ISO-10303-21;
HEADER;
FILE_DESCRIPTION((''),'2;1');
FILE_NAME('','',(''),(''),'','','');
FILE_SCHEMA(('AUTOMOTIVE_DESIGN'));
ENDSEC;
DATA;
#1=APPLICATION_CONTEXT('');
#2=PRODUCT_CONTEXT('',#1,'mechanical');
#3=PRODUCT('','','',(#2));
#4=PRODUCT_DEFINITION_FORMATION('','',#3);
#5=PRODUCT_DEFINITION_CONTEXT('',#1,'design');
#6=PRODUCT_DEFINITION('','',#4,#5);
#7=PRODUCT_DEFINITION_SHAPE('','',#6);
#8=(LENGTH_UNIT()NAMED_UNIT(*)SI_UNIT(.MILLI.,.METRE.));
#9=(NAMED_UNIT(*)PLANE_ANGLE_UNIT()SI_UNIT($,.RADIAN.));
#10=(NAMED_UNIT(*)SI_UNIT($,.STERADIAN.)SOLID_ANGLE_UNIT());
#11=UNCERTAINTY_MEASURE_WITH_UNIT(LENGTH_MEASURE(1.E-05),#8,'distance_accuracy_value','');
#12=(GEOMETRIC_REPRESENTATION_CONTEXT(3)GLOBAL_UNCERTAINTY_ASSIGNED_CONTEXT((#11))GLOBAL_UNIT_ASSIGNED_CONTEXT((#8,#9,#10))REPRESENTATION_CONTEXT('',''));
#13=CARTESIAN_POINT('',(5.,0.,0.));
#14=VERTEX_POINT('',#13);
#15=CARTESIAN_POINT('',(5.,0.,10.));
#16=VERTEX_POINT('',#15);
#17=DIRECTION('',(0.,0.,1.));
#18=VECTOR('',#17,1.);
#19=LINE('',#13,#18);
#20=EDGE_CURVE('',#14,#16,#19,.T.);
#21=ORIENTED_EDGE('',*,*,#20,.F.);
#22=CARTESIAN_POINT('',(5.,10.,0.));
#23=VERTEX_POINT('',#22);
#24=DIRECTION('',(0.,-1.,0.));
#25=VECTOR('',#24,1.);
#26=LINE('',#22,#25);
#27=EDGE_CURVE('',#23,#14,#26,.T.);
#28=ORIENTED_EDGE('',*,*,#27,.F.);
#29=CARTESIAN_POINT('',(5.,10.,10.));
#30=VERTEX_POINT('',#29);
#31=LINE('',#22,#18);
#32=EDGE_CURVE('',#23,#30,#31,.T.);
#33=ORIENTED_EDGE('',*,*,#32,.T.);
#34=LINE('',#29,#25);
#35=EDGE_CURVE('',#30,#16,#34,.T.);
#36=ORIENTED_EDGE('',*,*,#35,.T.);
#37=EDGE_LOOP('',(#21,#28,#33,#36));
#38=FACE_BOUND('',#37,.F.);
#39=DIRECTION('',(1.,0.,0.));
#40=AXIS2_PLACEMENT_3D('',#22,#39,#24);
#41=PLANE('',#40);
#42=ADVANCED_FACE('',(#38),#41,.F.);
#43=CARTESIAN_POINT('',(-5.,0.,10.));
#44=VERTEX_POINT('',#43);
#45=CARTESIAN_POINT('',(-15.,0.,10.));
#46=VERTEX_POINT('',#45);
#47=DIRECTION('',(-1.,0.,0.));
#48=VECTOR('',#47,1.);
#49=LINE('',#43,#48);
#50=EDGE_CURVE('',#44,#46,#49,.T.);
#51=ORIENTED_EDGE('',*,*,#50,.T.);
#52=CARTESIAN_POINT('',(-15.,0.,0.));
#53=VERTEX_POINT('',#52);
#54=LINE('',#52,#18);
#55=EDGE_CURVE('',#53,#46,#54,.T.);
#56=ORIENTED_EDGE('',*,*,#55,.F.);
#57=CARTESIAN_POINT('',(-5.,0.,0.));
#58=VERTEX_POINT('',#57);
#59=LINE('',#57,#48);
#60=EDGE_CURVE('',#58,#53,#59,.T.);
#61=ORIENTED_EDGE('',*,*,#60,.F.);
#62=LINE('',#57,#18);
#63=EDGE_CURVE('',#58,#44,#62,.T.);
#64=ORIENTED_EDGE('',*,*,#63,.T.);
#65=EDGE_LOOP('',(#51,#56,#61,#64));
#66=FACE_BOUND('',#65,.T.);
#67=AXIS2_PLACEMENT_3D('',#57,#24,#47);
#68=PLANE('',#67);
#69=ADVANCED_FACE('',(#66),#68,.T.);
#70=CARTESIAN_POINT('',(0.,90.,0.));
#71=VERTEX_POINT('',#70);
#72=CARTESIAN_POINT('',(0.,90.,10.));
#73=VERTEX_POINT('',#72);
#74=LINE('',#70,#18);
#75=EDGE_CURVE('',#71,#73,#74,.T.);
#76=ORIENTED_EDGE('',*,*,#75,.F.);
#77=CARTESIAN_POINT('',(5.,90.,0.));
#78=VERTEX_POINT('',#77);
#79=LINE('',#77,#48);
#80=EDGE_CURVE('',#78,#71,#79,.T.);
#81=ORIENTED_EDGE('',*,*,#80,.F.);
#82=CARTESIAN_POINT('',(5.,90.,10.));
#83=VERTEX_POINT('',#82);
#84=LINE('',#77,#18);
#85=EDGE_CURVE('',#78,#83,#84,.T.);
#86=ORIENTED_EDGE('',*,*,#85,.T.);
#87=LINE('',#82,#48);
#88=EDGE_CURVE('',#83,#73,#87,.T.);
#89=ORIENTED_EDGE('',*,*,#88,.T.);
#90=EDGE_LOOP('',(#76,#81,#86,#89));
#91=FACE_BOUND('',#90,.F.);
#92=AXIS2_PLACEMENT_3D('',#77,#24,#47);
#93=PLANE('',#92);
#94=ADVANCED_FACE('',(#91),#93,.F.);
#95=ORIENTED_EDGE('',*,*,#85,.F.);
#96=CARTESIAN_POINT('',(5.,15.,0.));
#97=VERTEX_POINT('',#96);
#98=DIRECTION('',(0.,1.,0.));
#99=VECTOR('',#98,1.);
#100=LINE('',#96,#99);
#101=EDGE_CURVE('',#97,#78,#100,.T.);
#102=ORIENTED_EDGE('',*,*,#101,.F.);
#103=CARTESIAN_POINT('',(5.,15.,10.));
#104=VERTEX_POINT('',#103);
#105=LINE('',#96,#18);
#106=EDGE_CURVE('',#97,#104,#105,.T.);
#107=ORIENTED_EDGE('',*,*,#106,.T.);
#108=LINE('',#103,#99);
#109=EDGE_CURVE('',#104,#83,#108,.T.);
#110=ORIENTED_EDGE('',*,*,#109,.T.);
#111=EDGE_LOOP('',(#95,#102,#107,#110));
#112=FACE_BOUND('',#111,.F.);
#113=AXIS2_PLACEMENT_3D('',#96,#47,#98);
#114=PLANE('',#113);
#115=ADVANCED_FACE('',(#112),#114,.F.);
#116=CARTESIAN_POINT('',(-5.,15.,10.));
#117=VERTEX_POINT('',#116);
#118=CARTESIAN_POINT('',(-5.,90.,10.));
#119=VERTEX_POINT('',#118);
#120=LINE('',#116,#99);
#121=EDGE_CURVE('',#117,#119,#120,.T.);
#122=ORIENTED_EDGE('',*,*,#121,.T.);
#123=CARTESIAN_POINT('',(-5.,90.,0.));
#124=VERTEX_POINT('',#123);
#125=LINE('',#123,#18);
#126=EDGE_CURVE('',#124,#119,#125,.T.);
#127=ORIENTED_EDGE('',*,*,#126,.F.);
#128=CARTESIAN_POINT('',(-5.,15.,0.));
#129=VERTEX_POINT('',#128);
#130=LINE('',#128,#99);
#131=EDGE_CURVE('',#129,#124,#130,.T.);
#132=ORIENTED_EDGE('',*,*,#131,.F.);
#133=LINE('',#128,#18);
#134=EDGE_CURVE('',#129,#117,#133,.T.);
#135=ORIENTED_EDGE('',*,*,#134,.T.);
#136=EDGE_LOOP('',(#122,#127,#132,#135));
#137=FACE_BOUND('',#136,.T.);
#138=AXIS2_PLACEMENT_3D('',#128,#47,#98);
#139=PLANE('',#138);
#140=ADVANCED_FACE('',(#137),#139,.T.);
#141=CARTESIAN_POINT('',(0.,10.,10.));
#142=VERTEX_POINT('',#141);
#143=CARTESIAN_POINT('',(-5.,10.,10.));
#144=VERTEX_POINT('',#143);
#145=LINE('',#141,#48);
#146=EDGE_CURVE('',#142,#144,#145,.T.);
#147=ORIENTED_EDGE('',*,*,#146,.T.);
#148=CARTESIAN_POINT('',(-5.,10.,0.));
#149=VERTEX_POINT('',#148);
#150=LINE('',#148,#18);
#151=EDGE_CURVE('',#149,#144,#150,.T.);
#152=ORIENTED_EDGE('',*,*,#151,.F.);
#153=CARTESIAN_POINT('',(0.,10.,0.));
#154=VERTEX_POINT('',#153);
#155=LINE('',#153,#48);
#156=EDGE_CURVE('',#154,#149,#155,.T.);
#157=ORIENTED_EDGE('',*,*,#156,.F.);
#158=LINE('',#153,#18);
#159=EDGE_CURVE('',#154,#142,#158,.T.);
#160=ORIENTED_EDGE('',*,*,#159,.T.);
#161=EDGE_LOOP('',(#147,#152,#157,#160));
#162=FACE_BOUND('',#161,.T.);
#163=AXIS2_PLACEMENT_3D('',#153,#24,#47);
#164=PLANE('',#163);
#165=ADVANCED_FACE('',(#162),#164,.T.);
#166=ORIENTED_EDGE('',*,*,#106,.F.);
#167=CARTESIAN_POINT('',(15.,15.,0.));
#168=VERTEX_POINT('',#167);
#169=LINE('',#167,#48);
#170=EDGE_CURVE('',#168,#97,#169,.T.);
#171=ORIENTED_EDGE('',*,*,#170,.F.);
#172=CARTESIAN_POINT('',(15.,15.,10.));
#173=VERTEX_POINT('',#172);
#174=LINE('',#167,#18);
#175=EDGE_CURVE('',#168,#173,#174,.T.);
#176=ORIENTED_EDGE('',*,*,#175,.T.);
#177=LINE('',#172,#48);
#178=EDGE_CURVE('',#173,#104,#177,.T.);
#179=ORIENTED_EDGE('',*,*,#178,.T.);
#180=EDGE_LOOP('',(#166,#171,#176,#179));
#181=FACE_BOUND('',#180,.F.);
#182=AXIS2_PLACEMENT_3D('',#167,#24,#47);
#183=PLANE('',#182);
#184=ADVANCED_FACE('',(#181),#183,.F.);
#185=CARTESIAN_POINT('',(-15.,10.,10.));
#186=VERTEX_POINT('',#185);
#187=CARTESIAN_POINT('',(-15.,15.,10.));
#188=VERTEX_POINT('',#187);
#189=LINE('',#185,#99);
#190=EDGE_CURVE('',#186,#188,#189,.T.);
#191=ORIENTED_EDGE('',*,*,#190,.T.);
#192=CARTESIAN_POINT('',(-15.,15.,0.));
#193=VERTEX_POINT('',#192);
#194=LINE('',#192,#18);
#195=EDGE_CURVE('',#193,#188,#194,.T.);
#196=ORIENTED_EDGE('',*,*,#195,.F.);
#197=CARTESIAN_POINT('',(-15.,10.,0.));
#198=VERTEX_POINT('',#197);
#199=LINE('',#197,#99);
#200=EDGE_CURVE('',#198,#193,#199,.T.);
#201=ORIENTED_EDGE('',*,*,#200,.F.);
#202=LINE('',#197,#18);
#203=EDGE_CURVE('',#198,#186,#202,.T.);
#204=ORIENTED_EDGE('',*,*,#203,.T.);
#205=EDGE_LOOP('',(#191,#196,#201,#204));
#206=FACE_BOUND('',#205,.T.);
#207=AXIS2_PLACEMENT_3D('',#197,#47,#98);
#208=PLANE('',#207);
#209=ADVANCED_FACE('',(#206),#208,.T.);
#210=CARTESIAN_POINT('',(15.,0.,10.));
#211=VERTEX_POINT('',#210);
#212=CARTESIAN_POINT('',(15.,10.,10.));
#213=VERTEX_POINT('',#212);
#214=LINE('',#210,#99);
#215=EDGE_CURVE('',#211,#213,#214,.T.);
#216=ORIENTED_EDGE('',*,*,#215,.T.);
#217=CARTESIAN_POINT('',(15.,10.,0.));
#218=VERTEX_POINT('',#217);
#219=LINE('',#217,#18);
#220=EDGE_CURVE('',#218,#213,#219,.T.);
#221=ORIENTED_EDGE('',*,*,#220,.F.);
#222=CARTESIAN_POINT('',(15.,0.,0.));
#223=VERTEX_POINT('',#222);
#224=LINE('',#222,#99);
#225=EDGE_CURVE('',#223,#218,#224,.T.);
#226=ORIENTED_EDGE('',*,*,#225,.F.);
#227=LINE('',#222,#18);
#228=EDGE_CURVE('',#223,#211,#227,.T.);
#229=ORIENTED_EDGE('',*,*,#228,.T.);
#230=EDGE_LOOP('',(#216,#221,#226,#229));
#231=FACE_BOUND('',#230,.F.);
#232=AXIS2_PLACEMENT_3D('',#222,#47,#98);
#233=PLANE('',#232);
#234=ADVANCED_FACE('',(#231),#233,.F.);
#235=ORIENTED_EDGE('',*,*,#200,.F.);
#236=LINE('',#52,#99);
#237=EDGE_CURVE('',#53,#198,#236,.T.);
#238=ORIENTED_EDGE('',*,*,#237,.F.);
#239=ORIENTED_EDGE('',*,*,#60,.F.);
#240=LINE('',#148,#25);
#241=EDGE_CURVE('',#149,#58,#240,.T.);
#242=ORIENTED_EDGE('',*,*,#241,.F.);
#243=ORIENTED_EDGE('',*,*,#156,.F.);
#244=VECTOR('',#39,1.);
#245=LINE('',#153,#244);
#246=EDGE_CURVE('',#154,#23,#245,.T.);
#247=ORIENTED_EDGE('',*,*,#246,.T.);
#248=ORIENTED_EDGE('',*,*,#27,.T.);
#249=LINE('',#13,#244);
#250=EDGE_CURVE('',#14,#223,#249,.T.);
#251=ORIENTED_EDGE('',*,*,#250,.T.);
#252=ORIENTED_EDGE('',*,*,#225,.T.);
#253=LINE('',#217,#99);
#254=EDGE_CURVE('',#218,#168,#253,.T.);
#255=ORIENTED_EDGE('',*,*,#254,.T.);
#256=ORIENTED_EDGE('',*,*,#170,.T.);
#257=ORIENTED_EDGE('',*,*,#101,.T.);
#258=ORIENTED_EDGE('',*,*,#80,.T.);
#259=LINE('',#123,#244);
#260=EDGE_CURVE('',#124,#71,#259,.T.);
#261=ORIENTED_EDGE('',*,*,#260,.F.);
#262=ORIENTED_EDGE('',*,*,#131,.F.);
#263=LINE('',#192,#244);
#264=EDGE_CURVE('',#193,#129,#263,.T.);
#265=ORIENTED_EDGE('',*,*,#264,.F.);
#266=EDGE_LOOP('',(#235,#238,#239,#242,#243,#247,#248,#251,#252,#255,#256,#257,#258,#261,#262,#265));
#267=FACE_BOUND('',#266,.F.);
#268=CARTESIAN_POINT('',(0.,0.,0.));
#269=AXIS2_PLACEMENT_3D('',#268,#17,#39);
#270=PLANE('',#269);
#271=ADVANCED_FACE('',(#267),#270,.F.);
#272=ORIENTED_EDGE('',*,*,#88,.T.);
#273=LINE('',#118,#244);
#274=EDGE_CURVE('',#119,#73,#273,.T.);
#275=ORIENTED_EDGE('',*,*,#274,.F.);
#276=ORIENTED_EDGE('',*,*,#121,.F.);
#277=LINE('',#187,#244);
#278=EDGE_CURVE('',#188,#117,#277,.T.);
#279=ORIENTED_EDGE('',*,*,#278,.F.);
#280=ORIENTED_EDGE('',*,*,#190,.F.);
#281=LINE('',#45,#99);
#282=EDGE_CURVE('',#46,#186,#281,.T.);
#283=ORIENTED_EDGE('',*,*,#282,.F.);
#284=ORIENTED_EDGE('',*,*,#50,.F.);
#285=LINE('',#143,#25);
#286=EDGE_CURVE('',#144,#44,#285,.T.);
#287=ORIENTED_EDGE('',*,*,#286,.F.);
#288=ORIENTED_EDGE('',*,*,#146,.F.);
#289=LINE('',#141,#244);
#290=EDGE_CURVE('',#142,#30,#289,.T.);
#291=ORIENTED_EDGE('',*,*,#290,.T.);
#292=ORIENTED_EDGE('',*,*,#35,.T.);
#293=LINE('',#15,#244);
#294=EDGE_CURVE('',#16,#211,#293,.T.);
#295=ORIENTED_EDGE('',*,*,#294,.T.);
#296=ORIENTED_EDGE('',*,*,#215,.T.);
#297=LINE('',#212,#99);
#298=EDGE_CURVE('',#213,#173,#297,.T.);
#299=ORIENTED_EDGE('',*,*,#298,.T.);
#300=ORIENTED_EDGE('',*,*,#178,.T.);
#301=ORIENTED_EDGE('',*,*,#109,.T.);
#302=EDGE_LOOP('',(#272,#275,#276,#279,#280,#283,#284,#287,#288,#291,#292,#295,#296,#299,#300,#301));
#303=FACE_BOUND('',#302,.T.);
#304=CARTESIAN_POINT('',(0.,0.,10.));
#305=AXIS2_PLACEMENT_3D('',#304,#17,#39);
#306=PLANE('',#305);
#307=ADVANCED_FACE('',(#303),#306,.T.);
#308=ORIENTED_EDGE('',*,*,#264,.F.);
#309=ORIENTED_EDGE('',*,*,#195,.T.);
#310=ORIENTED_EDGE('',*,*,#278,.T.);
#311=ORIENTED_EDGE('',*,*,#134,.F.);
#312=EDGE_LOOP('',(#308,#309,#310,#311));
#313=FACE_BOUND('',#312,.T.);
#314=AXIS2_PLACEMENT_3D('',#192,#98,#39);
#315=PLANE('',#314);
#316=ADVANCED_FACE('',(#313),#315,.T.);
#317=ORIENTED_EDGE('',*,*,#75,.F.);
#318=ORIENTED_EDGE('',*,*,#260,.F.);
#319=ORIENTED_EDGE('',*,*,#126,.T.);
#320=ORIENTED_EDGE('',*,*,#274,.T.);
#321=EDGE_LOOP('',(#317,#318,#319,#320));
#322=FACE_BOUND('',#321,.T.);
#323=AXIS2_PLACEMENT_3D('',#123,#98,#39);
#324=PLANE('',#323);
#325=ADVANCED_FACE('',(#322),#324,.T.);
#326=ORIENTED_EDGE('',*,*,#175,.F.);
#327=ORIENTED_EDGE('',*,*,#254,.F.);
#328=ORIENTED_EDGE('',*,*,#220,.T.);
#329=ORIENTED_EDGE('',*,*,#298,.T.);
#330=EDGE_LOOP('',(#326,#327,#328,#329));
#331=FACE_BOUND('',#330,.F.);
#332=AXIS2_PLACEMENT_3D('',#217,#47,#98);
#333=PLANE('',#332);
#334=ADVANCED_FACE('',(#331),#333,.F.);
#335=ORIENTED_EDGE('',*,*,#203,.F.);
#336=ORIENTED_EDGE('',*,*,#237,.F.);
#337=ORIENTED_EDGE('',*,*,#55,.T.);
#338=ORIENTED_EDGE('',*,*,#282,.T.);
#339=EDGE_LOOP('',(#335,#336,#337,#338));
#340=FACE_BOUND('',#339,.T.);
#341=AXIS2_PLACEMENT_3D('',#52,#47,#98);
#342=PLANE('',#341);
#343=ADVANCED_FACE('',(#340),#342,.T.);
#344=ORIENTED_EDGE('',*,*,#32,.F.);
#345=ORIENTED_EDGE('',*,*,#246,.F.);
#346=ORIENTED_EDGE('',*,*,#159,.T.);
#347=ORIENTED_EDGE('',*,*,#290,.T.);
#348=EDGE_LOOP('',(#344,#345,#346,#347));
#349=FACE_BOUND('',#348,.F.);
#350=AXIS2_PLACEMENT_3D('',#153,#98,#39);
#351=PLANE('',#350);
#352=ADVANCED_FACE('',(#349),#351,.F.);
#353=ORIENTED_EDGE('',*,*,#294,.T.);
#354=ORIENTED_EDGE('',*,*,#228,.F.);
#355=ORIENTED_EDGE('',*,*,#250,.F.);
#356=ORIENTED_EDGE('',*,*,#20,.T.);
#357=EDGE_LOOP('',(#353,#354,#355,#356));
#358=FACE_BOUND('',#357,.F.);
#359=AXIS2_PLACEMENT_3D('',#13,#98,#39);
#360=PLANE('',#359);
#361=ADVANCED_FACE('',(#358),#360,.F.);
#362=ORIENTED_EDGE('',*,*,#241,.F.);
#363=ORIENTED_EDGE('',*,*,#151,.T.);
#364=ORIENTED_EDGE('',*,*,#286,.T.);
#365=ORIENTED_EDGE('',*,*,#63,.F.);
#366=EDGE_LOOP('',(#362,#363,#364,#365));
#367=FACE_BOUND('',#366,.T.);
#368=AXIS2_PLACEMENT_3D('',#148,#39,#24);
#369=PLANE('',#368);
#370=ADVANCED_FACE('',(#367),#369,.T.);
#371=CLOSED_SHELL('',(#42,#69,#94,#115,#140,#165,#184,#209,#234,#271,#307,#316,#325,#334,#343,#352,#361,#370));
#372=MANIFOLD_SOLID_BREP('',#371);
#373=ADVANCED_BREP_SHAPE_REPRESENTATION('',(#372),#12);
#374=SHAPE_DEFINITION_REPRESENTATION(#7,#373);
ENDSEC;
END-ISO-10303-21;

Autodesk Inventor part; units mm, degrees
ref_plane "YZ Plane" through (0, 0, 0) normal (1, 0, 0) x (0, 1, 0)
ref_plane "XZ Plane" through (0, 0, 0) normal (0, 1, 0) x (-1, 0, 0)
ref_plane "XY Plane" through (0, 0, 0) normal (0, 0, 1) x (1, 0, 0)
sketch "Sketch1" plane through (0, 0, 0) normal (0, 0, 1) x (1, 0, 0)
  line L0 (0, 0) -> (0, 90) construction
  line L1 (0, 0) -> (0, 10) construction
  line L2 (0, 10) -> (-5, 10)
  line L3 (-5, 10) -> (-5, 0)
  line L4 (-5, 0) -> (-15, 0)
  line L5 (-15, 0) -> (-15, 10)
  line L6 (-15, 10) -> (-15, 15)
  line L7 (-15, 15) -> (-5, 15)
  line L8 (-5, 15) -> (-5, 90)
  line L9 (-5, 90) -> (0, 90)
  line L10 (0, 10) -> (5, 10)
  line L11 (5, 10) -> (5, 0)
  line L12 (5, 0) -> (15, 0)
  line L13 (15, 0) -> (15, 10)
  line L14 (15, 10) -> (15, 15)
  line L15 (15, 15) -> (5, 15)
  line L16 (5, 15) -> (5, 90)
  line L17 (5, 90) -> (0, 90)
  dimension "d0" = 90
  dimension "d1" = 10
  dimension "d2" = 5
  dimension "d3" = 10
  dimension "d4" = 10
  dimension "d5" = 5
  dimension "d6" = 75
  dimension "d7" = 10
extrude "Extrusion1" add sketch "Sketch1" along normal blind 10
properties part number "Sorting Holder x2"
